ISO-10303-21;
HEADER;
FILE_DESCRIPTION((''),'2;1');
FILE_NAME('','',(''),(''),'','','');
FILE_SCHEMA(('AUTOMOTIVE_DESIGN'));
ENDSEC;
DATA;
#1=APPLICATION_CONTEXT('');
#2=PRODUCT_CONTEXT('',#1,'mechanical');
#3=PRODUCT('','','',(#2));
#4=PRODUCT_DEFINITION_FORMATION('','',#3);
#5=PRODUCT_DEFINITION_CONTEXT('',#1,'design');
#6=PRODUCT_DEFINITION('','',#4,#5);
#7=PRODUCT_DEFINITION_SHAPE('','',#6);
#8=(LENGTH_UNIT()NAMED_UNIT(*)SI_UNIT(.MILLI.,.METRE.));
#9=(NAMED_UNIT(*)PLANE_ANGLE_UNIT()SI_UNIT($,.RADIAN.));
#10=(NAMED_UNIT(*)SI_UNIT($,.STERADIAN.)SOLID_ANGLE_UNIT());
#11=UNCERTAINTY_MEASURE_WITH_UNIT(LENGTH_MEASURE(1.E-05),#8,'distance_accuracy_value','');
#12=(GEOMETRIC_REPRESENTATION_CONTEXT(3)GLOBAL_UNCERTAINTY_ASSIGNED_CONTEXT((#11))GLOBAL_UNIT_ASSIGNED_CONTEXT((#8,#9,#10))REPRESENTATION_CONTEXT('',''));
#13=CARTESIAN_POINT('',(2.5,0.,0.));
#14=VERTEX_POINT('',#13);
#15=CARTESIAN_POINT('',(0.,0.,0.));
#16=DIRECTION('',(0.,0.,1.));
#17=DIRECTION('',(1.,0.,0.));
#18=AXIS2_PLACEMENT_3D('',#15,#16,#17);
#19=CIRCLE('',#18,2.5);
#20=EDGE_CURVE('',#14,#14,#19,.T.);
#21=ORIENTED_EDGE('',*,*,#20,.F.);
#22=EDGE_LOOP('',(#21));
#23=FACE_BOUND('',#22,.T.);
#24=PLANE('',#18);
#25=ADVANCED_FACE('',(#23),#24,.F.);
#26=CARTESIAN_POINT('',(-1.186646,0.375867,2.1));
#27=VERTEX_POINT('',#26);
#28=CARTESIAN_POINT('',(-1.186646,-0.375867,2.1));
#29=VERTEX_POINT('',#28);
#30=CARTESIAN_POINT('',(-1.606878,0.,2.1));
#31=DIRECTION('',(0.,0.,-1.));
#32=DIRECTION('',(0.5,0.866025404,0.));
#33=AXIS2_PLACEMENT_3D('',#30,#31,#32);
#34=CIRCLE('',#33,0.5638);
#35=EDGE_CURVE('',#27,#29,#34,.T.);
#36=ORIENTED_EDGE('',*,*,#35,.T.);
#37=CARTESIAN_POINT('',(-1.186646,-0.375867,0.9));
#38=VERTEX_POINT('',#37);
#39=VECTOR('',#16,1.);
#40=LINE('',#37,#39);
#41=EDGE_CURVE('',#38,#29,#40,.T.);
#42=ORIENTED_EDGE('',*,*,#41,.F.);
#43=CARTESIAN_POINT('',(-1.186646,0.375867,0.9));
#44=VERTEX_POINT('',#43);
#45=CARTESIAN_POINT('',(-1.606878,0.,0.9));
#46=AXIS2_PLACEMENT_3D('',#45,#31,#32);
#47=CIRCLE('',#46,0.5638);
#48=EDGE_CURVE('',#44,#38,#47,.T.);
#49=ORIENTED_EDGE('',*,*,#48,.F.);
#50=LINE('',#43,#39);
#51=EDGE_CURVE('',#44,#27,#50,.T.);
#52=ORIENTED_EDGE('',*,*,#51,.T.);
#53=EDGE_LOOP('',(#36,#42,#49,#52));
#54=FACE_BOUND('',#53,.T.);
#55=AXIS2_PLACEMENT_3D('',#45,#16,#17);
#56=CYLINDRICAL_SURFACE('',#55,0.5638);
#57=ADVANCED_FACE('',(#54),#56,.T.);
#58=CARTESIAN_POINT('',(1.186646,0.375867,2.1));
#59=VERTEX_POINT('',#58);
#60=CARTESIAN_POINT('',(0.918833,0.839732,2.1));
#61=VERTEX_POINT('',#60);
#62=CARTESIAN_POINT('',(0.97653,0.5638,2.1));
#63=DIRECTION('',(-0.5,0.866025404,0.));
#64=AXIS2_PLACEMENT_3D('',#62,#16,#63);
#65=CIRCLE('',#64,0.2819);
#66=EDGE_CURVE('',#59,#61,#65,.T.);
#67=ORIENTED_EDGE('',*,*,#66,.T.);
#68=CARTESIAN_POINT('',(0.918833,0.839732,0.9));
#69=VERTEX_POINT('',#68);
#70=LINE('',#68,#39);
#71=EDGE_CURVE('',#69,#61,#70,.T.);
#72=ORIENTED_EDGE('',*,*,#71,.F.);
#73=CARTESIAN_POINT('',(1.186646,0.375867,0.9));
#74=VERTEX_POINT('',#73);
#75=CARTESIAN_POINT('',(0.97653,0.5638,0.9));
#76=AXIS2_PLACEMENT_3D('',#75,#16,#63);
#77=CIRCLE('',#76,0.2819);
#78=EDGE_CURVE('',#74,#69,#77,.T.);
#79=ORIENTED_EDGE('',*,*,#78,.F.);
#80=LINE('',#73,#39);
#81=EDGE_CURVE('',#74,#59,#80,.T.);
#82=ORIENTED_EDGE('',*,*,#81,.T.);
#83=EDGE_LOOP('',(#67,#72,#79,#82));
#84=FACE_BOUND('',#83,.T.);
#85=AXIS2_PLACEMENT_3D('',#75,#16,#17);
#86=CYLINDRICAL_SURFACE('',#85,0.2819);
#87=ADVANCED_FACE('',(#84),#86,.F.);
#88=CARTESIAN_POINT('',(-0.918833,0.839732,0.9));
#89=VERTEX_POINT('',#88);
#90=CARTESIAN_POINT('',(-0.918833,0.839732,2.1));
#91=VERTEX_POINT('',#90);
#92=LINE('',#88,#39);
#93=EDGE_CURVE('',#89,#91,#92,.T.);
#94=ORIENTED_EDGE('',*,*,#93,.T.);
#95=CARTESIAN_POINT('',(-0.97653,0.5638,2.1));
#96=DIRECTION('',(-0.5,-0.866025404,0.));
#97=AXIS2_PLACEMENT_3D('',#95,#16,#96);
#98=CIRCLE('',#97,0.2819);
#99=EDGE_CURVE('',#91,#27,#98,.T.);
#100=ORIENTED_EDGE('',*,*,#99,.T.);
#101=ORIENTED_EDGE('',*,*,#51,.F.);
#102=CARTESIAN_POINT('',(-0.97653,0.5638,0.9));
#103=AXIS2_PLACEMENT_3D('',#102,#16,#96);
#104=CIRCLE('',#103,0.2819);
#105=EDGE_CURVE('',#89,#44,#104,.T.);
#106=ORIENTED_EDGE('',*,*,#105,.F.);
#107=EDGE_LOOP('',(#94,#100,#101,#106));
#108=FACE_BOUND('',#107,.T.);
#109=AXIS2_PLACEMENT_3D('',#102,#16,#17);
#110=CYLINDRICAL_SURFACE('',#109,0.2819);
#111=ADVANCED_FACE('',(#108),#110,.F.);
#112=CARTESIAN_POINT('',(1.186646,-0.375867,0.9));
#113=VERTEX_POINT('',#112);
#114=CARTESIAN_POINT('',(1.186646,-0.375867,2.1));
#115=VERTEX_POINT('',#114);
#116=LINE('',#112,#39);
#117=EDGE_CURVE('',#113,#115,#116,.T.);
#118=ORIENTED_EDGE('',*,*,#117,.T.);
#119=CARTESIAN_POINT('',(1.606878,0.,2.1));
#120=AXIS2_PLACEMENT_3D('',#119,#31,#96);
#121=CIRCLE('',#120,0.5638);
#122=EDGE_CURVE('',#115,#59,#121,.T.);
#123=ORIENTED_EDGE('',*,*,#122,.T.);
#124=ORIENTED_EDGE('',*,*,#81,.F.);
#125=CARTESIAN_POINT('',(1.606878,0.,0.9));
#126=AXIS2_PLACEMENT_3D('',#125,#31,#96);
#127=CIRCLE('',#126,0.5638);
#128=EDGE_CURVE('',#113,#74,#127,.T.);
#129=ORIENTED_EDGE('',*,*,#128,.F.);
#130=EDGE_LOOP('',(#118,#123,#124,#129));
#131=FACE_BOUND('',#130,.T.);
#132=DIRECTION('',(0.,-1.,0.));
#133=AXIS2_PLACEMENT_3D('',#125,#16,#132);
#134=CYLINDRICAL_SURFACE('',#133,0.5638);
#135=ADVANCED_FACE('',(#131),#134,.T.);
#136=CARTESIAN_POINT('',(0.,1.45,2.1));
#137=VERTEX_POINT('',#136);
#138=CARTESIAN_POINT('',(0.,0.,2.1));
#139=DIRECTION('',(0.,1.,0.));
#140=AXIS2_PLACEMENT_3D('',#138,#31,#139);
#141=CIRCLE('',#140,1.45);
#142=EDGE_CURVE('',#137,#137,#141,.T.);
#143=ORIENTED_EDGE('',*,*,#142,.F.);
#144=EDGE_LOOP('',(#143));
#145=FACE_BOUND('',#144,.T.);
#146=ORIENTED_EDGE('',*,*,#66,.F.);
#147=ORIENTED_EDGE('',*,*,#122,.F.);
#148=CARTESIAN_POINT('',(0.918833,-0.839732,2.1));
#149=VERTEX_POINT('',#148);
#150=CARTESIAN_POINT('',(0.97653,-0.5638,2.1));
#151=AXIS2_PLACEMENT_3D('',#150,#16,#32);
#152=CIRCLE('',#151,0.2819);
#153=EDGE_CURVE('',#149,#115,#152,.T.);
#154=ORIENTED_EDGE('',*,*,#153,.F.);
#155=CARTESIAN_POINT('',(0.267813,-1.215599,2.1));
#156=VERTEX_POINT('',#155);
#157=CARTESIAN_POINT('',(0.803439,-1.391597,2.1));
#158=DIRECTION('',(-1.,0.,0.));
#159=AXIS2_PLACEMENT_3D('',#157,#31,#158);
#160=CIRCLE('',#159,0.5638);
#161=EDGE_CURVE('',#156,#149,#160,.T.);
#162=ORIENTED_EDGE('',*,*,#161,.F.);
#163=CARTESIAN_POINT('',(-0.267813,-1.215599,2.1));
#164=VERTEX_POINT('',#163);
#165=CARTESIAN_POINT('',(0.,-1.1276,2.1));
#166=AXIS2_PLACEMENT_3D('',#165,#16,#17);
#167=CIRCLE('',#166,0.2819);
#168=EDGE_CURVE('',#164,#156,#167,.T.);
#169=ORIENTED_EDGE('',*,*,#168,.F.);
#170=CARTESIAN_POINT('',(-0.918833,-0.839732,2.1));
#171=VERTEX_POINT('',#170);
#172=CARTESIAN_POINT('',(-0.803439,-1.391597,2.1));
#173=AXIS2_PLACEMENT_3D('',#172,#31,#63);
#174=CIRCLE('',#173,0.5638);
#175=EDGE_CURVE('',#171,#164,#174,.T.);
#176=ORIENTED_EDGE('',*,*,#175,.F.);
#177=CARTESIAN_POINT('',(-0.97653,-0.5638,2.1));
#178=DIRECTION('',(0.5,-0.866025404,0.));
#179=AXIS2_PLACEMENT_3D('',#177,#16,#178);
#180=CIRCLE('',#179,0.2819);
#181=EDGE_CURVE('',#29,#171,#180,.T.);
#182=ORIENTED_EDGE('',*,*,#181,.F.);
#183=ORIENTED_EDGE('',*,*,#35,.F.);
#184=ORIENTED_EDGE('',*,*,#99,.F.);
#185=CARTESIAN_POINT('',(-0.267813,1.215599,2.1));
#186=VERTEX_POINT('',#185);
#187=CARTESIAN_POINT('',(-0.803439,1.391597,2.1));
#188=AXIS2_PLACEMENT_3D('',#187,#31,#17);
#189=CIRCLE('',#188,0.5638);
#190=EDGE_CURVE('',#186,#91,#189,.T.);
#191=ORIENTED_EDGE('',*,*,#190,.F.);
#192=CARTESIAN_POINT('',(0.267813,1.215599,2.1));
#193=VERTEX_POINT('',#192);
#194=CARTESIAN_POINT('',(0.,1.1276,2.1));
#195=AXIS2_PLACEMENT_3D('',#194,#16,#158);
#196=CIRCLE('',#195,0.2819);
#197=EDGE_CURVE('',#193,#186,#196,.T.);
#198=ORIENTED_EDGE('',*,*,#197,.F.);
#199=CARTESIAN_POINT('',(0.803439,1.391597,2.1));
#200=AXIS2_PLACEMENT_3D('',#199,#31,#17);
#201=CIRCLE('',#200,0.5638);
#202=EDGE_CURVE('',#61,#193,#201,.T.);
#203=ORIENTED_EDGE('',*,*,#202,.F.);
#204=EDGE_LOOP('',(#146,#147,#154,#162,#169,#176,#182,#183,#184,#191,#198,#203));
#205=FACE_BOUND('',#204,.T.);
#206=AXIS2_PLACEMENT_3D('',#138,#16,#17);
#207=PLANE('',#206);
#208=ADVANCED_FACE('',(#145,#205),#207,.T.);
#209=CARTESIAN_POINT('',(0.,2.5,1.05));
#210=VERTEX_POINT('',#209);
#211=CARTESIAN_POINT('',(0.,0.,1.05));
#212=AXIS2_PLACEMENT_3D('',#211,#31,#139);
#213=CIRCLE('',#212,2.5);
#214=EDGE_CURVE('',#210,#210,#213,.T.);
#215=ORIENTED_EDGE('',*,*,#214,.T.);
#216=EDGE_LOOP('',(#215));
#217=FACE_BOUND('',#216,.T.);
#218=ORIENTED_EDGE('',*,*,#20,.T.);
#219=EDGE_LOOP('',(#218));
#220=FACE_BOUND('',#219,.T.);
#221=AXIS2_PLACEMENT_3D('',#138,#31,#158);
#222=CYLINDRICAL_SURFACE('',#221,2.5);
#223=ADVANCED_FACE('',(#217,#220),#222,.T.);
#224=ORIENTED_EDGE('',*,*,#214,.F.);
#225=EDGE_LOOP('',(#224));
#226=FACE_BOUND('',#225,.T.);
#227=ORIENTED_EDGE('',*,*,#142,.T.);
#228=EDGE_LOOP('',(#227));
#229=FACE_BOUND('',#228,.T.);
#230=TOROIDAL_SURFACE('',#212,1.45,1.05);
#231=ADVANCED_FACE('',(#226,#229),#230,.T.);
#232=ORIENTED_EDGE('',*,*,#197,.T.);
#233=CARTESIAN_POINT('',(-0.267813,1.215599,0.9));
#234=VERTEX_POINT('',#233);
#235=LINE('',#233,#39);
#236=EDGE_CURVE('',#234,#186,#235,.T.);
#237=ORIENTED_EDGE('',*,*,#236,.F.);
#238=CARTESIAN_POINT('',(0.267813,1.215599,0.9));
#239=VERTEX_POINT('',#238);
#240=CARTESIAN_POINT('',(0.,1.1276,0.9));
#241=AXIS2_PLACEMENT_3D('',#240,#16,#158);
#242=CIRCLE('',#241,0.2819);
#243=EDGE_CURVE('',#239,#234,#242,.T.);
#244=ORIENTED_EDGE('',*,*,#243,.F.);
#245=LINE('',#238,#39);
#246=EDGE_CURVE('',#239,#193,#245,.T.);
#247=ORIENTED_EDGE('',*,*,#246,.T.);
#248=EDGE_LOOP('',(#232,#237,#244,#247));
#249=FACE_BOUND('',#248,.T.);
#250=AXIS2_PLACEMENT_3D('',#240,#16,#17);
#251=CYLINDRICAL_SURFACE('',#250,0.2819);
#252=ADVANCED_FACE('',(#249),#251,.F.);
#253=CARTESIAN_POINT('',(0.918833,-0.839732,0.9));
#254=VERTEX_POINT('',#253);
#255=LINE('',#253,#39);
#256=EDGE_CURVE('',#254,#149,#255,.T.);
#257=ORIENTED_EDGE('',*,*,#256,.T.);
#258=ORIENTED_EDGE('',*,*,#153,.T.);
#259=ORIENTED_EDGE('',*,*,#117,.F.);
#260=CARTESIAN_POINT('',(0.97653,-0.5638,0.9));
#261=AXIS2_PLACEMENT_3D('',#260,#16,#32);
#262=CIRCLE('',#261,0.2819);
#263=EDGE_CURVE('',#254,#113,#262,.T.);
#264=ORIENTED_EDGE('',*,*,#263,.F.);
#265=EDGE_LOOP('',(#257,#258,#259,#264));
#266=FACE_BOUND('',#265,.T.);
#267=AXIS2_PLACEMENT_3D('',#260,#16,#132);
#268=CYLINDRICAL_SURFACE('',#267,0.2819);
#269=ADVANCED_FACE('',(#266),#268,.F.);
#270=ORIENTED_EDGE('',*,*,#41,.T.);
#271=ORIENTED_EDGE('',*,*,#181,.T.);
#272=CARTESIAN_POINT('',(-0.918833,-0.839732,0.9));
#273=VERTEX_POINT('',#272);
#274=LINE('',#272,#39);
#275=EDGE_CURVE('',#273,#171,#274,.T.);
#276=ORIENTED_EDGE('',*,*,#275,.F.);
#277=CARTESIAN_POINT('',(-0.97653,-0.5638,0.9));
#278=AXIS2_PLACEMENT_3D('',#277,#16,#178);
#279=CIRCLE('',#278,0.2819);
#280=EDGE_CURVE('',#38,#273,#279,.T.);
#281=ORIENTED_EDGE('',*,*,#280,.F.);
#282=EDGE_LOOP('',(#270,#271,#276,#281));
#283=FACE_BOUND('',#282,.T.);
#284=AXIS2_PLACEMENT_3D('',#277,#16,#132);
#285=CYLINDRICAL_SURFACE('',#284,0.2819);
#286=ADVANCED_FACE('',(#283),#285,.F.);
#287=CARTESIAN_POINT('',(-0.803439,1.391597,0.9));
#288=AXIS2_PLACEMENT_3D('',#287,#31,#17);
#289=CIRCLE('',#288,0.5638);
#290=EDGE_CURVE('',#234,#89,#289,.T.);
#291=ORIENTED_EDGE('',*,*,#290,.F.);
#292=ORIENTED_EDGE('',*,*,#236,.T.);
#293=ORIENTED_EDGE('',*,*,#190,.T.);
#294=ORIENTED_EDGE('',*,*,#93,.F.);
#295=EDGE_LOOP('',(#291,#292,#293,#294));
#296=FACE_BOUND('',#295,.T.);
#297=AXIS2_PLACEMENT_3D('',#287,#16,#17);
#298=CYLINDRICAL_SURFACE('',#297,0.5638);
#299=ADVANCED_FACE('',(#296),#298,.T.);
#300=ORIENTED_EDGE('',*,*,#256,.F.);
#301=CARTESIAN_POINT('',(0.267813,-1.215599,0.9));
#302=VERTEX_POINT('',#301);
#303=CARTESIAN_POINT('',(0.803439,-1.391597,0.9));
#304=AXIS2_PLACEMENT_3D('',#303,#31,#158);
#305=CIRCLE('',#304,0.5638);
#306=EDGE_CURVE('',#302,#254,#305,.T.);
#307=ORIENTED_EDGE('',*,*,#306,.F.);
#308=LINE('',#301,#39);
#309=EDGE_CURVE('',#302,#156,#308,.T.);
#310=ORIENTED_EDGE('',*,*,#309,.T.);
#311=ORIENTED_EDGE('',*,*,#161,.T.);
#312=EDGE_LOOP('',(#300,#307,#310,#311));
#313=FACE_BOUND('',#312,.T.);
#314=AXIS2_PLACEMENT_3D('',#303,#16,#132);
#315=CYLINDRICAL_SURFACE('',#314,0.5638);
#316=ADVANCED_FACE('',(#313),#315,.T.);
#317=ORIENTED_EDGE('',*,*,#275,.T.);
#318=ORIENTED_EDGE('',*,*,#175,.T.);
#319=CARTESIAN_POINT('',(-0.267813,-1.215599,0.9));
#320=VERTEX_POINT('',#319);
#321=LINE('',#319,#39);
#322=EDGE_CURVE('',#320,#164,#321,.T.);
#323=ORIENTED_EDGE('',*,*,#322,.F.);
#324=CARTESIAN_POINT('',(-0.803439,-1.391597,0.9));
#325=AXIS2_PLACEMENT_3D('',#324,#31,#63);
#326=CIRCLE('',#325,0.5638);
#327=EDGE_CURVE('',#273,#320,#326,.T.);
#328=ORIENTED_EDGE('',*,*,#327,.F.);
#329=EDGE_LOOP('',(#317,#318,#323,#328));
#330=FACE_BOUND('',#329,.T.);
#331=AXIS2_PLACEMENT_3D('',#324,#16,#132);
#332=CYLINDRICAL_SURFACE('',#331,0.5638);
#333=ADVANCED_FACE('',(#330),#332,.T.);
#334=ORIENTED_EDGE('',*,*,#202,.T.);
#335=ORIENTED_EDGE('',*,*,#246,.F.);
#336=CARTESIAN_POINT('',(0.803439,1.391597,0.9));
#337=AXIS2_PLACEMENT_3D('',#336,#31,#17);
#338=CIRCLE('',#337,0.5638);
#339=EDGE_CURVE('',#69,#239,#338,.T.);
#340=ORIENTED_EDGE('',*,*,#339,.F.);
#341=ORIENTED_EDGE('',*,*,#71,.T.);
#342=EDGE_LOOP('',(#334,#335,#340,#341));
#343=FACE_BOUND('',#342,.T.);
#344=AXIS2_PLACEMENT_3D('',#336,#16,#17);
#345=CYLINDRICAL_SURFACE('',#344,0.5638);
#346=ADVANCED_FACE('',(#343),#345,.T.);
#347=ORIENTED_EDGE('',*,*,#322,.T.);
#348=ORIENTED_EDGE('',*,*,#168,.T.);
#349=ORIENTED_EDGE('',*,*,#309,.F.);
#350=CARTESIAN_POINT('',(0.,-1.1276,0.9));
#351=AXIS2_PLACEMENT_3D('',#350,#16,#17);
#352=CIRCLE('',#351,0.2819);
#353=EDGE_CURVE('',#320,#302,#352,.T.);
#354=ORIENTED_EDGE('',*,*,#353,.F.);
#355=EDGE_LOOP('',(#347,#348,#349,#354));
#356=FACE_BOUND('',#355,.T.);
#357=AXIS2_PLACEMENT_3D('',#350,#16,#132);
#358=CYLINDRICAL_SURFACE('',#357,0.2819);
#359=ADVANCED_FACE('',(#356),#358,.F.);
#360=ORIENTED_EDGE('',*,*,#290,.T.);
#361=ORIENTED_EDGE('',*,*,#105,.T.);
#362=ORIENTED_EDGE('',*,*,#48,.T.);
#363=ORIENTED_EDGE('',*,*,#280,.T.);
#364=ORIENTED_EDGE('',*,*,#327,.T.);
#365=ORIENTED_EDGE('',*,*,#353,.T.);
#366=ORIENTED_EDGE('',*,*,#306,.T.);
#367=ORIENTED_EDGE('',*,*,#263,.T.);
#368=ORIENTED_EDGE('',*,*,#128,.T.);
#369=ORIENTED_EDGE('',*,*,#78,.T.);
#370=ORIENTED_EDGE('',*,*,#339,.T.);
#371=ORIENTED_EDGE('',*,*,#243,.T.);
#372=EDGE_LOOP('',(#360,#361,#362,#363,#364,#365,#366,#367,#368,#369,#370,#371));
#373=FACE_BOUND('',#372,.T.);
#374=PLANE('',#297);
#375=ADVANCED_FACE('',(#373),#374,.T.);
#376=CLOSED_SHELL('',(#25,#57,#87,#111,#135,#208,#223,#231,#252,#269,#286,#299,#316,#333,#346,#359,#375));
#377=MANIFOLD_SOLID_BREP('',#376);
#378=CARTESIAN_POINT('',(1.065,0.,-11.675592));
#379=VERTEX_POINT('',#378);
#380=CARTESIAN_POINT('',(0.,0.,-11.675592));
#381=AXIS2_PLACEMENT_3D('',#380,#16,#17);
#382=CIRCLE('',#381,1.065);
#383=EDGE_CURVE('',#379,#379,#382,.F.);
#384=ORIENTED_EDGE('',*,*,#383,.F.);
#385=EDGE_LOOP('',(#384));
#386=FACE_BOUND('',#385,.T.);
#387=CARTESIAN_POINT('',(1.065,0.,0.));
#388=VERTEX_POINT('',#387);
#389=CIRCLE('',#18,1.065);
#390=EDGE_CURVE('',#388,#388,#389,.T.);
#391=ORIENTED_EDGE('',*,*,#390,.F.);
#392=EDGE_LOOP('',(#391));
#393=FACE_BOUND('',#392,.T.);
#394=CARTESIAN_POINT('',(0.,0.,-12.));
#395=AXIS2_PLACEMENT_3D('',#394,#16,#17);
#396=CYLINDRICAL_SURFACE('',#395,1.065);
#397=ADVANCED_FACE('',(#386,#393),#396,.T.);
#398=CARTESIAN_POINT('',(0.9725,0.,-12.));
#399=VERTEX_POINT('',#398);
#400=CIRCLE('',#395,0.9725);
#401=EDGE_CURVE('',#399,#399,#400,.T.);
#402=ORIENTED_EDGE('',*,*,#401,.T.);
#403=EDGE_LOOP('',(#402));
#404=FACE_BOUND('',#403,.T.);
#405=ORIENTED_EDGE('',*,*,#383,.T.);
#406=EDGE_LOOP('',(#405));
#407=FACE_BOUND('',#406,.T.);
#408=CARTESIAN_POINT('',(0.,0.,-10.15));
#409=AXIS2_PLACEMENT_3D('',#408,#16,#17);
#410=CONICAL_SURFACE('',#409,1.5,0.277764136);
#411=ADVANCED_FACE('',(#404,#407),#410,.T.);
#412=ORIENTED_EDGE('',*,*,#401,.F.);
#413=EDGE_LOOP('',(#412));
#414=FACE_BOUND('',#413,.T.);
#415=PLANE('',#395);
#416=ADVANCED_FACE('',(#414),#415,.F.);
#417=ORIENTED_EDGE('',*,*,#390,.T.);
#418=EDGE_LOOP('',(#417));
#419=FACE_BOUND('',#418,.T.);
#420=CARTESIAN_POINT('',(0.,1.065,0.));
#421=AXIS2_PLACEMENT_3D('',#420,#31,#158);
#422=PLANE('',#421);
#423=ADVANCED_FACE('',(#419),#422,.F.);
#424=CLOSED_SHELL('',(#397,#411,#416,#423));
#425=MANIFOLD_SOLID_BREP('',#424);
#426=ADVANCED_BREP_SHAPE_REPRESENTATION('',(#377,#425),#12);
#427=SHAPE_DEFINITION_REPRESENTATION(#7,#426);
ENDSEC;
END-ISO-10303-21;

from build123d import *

# Parameters (mm, degrees)
SKETCH1_R          = 2.5
EXTRUDE3_DEPTH     = 2.1
SKETCH4_W          = 12
SKETCH4_H          = 1.065
CUT_EXTRUDE1_DEPTH = 1.2
CIRPATTERN1_COUNT  = 6


with BuildPart() as part:
    # Sketch1 → Extrude3 (new body)
    with BuildSketch(Plane.XY):
        Circle(SKETCH1_R)
    extrude(amount=EXTRUDE3_DEPTH)

    # Sketch11 → Cut-Revolve3 (revolve, cut)
    with BuildSketch(Plane(origin=(0, 0, 0), x_dir=(0, 0, -1), z_dir=(1, 0, 0))):
        with BuildLine():
            Line((-1.05, 2.5), (-1.05, 2.6))
            Line((-1.05, 2.6), (-2.2, 2.6))
            Line((-2.2, 2.6), (-2.2, 1.45))
            Line((-2.2, 1.45), (-2.1, 1.45))
            ThreePointArc((-2.1, 1.45), (-1.79246212, 2.19246212), (-1.05, 2.5))
        make_face()
    revolve(axis=Axis((0, 0, 0), (0, 0, 1)), mode=Mode.SUBTRACT)

    # Sketch12 → Cut-Extrude1 (cut)
    with BuildSketch(Plane.XY.offset(2.1)):
        with BuildLine():
            Line((-0.521538904, 0.90333188), (0, 0))
            Line((0, 0), (0.521538904, 0.90333188))
            ThreePointArc((0.521538904, 0.90333188), (0.365871935, 1.036061368), (0.267812968, 1.215599001))
            ThreePointArc((0.267812968, 1.215599001), (0, 1.4095), (-0.267812968, 1.215599001))
            ThreePointArc((-0.267812968, 1.215599001), (-0.365871935, 1.036061368), (-0.521538904, 0.90333188))
        make_face()
    cut_extrude1 = extrude(amount=-CUT_EXTRUDE1_DEPTH, mode=Mode.SUBTRACT)

    # CirPattern1: Cut-Extrude1 ×6 about axis
    cirpattern1_axis = Axis((0, 0, 2.1), (0, 0, -1))
    for i in range(1, CIRPATTERN1_COUNT):
        add(cut_extrude1.rotate(cirpattern1_axis, i * 360 / CIRPATTERN1_COUNT), mode=Mode.SUBTRACT)


with BuildPart() as body_2:
    # Sketch4 → Revolve1 (revolve)
    with BuildSketch(Plane(origin=(0, 0, 0), x_dir=(0, 0, -1), z_dir=(1, 0, 0))):
        with Locations((6, 0.5325)):
            Rectangle(SKETCH4_W, SKETCH4_H)
    revolve(axis=Axis((0, 0, -12), (0, 0, -1)))

    # Sketch13 → Cut-Revolve4 (revolve, cut)
    with BuildSketch(Plane(origin=(0, 0, 0), x_dir=(0, 0, -1), z_dir=(1, 0, 0))):
        Polygon((12, 0.9725), (10.15, 1.5), (12, 1.5), (13.27, 1.5), (13.27, 0), (12, 0), align=None)
    revolve(axis=Axis((0, 0, 0), (0, 0, -1)), mode=Mode.SUBTRACT)


solid = Compound([part.part, body_2.part])
